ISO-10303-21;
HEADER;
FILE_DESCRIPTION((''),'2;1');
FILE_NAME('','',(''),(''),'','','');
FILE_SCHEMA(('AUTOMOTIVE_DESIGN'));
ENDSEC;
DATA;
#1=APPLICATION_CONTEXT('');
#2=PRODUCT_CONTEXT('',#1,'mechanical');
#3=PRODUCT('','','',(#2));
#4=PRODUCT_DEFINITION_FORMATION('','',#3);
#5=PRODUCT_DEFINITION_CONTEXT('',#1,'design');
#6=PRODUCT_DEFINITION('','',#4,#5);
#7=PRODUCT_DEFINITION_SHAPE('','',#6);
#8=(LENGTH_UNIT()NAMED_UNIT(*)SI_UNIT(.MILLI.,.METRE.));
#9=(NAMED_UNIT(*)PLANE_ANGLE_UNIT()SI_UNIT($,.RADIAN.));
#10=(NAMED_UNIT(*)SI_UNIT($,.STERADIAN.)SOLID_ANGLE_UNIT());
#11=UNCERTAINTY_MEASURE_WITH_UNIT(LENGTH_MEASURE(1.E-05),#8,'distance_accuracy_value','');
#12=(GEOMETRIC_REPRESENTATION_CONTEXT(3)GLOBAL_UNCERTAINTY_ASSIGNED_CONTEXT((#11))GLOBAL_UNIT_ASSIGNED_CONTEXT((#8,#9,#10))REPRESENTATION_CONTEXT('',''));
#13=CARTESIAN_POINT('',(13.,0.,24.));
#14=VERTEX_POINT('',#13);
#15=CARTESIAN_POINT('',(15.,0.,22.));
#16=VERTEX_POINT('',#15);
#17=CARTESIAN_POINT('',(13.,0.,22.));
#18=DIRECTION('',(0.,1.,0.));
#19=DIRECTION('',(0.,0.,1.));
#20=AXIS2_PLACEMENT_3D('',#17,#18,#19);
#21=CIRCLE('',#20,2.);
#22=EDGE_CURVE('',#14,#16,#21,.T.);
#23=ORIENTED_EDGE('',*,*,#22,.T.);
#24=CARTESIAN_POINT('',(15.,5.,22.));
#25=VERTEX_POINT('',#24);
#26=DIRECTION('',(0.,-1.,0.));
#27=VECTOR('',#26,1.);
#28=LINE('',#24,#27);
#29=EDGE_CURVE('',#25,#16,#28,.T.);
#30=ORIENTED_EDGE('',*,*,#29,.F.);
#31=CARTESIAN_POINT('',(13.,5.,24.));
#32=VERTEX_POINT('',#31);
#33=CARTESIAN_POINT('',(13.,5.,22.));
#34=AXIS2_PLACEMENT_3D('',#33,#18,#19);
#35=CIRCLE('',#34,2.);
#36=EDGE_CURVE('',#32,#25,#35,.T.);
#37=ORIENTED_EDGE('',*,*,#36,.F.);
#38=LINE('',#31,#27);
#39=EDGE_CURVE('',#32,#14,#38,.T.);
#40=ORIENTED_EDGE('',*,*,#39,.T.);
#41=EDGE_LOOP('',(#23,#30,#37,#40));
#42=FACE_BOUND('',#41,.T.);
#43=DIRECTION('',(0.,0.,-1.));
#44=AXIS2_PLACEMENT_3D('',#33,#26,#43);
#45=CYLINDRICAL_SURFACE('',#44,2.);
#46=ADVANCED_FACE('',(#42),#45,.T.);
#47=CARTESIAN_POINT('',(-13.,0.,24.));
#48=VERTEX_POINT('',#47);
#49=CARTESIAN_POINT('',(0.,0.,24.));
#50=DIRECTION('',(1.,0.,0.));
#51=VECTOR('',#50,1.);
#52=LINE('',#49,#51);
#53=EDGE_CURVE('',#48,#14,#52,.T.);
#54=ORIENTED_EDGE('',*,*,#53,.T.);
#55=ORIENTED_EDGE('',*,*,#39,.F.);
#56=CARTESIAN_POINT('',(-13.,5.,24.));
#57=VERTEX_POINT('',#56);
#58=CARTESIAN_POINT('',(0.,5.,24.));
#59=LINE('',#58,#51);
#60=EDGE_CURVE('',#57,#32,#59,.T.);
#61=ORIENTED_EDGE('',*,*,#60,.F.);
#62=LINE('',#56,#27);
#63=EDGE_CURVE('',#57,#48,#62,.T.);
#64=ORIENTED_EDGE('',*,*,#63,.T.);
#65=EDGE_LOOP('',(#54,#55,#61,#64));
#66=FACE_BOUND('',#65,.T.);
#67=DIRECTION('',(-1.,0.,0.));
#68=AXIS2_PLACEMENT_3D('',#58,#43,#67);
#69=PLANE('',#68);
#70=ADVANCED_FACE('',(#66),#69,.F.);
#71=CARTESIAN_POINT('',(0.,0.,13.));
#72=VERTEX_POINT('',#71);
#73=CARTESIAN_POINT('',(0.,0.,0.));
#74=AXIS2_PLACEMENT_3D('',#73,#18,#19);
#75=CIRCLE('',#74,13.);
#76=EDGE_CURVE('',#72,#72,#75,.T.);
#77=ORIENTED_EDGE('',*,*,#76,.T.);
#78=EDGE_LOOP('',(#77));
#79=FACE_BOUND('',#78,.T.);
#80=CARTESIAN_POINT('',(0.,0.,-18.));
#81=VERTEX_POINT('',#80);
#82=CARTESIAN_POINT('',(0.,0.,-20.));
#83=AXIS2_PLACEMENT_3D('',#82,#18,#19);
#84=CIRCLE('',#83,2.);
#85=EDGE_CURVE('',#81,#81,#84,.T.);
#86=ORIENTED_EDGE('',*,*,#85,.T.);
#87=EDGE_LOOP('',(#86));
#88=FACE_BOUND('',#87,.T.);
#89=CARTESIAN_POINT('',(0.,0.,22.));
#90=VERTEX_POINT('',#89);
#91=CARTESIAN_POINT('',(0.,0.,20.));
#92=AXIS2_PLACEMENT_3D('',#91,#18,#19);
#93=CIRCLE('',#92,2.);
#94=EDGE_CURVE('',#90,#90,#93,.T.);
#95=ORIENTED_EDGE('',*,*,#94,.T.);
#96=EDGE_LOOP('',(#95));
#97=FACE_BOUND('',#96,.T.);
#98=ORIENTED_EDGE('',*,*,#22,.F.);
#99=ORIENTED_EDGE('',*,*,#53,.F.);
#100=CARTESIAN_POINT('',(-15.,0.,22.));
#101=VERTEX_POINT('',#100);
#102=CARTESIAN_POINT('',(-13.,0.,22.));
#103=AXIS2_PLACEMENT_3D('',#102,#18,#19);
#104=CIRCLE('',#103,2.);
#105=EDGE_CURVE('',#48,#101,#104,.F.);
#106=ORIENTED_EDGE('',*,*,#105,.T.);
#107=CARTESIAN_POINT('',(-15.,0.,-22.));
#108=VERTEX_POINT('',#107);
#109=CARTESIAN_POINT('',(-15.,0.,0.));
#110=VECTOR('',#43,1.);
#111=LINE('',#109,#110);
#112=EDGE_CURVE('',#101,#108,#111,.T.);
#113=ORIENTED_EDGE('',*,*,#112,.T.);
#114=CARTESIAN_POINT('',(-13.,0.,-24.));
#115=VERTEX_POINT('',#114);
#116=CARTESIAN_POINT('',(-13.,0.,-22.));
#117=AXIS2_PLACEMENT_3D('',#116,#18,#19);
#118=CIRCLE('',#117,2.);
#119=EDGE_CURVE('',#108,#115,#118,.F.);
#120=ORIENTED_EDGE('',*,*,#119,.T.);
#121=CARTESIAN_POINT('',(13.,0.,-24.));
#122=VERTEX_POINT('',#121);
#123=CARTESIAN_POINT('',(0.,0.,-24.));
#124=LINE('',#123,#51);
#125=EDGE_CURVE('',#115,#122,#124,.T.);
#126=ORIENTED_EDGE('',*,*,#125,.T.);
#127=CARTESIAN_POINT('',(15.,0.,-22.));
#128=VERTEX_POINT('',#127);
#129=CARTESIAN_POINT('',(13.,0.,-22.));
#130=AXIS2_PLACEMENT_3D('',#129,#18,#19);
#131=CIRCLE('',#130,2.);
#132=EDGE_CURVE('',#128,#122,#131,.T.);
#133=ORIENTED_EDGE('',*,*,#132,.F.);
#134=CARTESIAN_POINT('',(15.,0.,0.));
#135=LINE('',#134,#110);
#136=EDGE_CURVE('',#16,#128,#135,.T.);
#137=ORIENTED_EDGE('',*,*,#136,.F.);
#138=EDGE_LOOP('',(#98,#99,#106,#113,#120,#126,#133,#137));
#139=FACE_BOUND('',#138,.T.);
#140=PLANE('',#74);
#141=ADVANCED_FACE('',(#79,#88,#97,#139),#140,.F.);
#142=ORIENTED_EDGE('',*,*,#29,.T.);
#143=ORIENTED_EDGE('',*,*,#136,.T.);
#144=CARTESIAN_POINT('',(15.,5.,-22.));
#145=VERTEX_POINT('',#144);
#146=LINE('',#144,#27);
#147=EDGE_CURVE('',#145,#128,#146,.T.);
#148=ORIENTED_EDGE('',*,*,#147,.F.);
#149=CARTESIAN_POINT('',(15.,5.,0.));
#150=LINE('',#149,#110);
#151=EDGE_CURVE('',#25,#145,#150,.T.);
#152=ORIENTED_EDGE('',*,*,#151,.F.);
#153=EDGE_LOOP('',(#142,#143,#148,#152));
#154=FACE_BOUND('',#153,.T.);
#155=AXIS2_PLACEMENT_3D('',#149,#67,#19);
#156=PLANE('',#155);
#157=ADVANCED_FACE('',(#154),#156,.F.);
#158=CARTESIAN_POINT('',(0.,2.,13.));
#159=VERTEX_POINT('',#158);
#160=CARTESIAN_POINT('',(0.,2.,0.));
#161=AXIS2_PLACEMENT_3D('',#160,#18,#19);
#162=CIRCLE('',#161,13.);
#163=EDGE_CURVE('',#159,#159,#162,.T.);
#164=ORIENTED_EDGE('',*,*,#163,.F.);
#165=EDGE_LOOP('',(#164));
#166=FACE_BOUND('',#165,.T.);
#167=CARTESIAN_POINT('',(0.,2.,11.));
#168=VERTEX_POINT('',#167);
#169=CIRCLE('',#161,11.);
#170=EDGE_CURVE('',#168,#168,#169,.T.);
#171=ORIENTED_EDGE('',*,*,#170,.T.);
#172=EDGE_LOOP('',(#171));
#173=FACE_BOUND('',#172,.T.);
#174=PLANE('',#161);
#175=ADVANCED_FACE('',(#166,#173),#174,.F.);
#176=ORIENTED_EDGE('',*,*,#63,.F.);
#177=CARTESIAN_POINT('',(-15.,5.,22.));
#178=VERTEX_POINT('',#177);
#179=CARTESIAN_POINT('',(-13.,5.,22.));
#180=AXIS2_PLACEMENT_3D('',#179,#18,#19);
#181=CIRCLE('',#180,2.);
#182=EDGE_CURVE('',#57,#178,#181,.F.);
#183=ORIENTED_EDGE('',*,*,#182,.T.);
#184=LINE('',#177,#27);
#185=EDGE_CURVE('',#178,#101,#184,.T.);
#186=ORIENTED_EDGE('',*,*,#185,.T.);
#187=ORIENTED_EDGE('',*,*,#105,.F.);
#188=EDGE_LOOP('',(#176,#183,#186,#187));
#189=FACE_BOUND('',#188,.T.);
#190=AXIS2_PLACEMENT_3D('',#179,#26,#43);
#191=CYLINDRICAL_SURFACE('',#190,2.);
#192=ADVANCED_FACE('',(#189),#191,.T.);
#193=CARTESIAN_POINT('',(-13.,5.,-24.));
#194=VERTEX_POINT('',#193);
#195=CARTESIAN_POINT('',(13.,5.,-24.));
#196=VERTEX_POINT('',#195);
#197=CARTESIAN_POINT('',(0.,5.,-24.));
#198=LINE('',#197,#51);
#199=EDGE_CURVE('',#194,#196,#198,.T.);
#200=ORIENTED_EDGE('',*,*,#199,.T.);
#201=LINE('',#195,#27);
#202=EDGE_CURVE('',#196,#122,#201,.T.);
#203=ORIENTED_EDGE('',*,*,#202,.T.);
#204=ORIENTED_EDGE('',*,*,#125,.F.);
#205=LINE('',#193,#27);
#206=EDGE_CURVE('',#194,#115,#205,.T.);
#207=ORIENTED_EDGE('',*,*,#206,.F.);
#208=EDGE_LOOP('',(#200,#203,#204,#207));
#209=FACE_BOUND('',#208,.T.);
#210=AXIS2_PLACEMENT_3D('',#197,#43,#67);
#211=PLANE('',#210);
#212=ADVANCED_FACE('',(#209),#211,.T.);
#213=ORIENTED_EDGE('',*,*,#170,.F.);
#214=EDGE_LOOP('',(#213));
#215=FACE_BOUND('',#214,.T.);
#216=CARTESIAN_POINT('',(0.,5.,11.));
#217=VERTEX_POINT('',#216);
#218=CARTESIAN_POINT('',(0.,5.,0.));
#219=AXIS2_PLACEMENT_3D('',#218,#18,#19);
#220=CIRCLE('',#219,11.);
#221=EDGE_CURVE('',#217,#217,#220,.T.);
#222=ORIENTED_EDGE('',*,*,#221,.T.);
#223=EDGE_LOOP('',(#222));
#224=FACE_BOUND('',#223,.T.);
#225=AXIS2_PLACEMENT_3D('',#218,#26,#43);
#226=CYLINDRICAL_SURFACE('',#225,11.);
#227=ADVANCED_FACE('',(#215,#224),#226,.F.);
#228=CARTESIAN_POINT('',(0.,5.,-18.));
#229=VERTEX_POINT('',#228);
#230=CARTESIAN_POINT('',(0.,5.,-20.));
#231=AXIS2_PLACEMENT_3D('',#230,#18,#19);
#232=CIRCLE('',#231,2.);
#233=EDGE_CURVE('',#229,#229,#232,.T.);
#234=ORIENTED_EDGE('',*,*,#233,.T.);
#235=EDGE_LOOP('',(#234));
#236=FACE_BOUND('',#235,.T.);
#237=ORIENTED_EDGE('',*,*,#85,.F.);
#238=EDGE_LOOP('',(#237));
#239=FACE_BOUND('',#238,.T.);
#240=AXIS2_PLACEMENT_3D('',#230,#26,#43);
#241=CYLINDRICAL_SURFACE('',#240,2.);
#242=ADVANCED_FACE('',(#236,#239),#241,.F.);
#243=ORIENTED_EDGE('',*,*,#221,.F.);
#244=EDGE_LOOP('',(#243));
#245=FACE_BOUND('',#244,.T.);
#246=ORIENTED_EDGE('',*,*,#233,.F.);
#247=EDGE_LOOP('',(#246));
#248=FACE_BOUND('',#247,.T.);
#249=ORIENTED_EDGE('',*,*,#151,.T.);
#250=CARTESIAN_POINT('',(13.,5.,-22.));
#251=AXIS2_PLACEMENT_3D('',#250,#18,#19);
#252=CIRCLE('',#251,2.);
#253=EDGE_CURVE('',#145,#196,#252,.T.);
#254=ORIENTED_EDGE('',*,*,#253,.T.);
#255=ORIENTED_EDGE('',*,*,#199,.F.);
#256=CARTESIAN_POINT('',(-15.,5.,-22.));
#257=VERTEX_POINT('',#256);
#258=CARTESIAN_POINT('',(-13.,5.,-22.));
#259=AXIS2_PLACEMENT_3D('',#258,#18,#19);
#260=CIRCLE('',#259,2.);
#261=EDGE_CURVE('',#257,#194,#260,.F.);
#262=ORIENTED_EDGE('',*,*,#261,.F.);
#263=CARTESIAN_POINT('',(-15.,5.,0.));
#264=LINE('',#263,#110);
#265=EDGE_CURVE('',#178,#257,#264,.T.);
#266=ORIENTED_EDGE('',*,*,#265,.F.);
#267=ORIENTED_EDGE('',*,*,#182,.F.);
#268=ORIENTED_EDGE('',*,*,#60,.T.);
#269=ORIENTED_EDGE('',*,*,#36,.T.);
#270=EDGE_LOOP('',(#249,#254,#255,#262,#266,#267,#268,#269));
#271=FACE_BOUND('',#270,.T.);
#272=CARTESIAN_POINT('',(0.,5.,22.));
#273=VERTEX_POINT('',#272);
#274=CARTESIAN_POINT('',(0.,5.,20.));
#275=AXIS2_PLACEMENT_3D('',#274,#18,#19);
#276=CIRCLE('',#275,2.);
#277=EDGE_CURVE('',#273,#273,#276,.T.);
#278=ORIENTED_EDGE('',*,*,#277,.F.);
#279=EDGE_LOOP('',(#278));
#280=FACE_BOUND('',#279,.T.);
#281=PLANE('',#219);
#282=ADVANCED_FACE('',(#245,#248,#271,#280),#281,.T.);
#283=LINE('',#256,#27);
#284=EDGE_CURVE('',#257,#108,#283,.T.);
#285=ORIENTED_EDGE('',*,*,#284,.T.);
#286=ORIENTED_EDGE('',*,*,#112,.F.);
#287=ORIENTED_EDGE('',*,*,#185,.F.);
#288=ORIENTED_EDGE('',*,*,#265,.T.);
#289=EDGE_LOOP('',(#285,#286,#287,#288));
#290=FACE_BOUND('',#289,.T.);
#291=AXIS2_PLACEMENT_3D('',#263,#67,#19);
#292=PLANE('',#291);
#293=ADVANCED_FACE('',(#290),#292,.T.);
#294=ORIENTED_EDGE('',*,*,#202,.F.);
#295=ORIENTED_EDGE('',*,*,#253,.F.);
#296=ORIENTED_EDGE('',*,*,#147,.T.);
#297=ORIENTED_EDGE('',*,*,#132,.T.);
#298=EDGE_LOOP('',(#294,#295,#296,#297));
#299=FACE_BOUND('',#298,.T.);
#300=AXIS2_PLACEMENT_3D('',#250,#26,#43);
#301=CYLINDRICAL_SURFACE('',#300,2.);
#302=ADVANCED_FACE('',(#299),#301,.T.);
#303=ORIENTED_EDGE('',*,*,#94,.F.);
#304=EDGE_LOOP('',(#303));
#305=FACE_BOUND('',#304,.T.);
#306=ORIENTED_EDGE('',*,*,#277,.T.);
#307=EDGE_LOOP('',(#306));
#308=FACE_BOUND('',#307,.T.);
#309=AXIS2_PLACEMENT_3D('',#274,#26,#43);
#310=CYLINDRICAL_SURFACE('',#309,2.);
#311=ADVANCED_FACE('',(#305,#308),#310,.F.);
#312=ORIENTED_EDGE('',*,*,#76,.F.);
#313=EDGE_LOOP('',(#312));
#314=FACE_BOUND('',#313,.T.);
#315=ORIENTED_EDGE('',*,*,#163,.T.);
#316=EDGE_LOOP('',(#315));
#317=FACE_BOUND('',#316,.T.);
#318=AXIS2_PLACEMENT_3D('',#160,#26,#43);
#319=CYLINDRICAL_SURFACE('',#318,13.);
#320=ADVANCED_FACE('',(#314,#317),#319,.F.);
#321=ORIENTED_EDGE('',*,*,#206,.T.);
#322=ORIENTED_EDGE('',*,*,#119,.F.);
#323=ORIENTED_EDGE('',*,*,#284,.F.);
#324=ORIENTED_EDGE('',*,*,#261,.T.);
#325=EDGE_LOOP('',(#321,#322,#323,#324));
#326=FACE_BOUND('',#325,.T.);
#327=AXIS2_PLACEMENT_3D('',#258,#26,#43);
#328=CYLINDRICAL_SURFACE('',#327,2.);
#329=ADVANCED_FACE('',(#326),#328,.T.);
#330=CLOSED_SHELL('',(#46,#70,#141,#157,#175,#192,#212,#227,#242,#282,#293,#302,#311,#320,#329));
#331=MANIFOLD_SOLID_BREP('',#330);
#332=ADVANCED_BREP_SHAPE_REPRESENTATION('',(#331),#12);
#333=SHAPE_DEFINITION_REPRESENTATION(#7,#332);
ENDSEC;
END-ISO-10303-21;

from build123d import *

# Parameters (mm, degrees)
SKETCH_1_R          = 2
SKETCH_1_R_2        = 11
EXTRUDE_1_DEPTH     = 5
SKETCH_1_4_R        = 13
SKETCH_1_4_R_2      = 11
CUT_EXTRUDE_1_DEPTH = 2


with BuildPart() as part:
    # 草图1 → 凸台-拉伸1 (new body)
    with BuildSketch(Plane(origin=(0, 0, 0), x_dir=(1, 0, 0), z_dir=(0, 1, 0))):
        with BuildLine():
            Line((-15, 22), (-15, -22))
            ThreePointArc((-15, -22), (-14.414213562, -23.414213562), (-13, -24))
            Line((-13, -24), (13, -24))
            ThreePointArc((13, -24), (14.414213562, -23.414213562), (15, -22))
            Line((15, -22), (15, 22))
            ThreePointArc((15, 22), (14.414213562, 23.414213562), (13, 24))
            Line((13, 24), (-13, 24))
            ThreePointArc((-13, 24), (-14.414213562, 23.414213562), (-15, 22))
        make_face()
        with Locations((0, -20)):
            Circle(SKETCH_1_R, mode=Mode.SUBTRACT)
        with Locations((0, 20)):
            Circle(SKETCH_1_R, mode=Mode.SUBTRACT)
        Circle(SKETCH_1_R_2, mode=Mode.SUBTRACT)
    extrude(amount=EXTRUDE_1_DEPTH)

    # 草图1<4> → 切除-拉伸1 (cut)
    with BuildSketch(Plane(origin=(0, 0, 0), x_dir=(1, 0, 0), z_dir=(0, 1, 0))):
        Circle(SKETCH_1_4_R)
        Circle(SKETCH_1_4_R_2, mode=Mode.SUBTRACT)
    extrude(amount=CUT_EXTRUDE_1_DEPTH, mode=Mode.SUBTRACT)


solid = part.part
